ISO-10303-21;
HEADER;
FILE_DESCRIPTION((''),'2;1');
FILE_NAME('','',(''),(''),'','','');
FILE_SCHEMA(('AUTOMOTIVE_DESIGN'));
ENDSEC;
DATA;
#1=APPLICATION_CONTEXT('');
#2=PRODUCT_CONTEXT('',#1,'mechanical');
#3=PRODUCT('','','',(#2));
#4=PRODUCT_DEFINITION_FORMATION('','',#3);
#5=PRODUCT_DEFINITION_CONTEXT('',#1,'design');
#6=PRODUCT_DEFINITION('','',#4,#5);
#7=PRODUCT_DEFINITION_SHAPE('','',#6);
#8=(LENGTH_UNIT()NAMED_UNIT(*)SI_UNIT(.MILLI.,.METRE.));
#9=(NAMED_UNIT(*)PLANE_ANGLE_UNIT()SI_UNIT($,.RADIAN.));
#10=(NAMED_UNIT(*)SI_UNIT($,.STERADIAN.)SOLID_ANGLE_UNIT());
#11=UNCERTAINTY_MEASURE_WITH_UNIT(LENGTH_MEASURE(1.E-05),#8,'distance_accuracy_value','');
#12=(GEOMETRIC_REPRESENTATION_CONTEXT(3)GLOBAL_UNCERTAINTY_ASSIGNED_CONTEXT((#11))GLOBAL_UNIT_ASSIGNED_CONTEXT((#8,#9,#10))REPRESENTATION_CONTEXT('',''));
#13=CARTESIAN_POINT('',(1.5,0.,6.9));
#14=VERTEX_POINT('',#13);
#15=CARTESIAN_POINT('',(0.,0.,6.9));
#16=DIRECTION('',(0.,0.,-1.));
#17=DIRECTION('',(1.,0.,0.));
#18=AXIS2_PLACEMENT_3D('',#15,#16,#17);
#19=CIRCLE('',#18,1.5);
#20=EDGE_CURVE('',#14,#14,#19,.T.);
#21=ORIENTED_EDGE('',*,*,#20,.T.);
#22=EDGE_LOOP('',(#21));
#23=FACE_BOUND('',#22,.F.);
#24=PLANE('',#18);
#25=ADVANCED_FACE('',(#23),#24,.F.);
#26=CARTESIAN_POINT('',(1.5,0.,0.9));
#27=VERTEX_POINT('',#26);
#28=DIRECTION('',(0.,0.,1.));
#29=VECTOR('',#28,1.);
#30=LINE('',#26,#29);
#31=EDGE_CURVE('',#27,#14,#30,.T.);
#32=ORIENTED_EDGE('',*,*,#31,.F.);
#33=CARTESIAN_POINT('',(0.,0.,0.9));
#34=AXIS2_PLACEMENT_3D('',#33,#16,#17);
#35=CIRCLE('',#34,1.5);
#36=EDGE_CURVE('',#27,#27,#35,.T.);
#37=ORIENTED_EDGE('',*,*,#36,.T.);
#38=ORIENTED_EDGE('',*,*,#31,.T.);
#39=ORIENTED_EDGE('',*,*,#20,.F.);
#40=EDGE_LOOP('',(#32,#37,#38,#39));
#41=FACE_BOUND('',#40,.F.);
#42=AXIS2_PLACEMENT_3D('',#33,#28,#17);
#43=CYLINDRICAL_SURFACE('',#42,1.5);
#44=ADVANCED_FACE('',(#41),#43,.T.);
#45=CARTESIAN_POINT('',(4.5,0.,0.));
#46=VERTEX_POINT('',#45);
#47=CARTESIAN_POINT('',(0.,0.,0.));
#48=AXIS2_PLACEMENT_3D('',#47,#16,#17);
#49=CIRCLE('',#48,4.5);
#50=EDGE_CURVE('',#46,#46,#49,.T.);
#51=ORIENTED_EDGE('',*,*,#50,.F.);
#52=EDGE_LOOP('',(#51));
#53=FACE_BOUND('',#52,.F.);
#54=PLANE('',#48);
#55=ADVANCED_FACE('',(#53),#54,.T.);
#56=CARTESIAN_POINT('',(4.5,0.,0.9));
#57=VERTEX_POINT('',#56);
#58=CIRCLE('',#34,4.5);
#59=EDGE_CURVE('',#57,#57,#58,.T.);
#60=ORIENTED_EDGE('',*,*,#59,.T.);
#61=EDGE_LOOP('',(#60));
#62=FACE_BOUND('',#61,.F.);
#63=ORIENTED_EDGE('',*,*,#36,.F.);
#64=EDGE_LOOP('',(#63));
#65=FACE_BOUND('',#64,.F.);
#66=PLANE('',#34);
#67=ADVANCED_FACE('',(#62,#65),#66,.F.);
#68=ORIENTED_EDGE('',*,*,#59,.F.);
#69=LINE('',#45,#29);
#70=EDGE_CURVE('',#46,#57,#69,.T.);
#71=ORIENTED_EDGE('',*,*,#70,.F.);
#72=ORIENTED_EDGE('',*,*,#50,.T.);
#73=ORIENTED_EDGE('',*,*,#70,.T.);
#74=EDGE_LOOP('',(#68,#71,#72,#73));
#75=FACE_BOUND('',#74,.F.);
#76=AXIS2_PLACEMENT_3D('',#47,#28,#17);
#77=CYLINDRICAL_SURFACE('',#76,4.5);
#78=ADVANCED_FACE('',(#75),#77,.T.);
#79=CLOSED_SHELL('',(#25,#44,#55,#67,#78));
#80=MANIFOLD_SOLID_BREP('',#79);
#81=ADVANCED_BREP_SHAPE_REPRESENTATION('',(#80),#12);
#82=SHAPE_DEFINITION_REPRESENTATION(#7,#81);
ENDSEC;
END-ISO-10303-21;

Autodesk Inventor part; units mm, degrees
ref_plane "YZ Plane" through (0, 0, 0) normal (1, 0, 0) x (0, 1, 0)
ref_plane "XZ Plane" through (0, 0, 0) normal (0, 1, 0) x (-1, 0, 0)
ref_plane "XY Plane" through (0, 0, 0) normal (0, 0, 1) x (1, 0, 0)
sketch "スケッチ1" plane through (0, 0, 0) normal (0, 1, 0) x (-1, 0, 0)
  line L0 (0, 0) -> (-4.5, 0)
  line L1 (-4.5, 0) -> (-4.5, 0.9)
  line L2 (-4.5, 0.9) -> (-1.5, 0.9)
  line L3 (-1.5, 0.9) -> (-1.5, 6.9)
  line L4 (-1.5, 6.9) -> (0, 6.9)
  line L5 (0, 6.9) -> (0, 0)
  dimension "d0" = 6
  dimension "d1" = 0.9
  dimension "d2" = 9
  dimension "d3" = 3
revolve "回転1" add sketch "スケッチ1" angle 360 about axis through (0, 0, 6.9) along (0, 0, -1)
thread "ねじ1" size "M3x0.5" class "6g" standard "ANSI Metric M Profile" length 7.57
properties part number "FreeHorn_Screw" material "ステンレス鋼 AISI 304"
